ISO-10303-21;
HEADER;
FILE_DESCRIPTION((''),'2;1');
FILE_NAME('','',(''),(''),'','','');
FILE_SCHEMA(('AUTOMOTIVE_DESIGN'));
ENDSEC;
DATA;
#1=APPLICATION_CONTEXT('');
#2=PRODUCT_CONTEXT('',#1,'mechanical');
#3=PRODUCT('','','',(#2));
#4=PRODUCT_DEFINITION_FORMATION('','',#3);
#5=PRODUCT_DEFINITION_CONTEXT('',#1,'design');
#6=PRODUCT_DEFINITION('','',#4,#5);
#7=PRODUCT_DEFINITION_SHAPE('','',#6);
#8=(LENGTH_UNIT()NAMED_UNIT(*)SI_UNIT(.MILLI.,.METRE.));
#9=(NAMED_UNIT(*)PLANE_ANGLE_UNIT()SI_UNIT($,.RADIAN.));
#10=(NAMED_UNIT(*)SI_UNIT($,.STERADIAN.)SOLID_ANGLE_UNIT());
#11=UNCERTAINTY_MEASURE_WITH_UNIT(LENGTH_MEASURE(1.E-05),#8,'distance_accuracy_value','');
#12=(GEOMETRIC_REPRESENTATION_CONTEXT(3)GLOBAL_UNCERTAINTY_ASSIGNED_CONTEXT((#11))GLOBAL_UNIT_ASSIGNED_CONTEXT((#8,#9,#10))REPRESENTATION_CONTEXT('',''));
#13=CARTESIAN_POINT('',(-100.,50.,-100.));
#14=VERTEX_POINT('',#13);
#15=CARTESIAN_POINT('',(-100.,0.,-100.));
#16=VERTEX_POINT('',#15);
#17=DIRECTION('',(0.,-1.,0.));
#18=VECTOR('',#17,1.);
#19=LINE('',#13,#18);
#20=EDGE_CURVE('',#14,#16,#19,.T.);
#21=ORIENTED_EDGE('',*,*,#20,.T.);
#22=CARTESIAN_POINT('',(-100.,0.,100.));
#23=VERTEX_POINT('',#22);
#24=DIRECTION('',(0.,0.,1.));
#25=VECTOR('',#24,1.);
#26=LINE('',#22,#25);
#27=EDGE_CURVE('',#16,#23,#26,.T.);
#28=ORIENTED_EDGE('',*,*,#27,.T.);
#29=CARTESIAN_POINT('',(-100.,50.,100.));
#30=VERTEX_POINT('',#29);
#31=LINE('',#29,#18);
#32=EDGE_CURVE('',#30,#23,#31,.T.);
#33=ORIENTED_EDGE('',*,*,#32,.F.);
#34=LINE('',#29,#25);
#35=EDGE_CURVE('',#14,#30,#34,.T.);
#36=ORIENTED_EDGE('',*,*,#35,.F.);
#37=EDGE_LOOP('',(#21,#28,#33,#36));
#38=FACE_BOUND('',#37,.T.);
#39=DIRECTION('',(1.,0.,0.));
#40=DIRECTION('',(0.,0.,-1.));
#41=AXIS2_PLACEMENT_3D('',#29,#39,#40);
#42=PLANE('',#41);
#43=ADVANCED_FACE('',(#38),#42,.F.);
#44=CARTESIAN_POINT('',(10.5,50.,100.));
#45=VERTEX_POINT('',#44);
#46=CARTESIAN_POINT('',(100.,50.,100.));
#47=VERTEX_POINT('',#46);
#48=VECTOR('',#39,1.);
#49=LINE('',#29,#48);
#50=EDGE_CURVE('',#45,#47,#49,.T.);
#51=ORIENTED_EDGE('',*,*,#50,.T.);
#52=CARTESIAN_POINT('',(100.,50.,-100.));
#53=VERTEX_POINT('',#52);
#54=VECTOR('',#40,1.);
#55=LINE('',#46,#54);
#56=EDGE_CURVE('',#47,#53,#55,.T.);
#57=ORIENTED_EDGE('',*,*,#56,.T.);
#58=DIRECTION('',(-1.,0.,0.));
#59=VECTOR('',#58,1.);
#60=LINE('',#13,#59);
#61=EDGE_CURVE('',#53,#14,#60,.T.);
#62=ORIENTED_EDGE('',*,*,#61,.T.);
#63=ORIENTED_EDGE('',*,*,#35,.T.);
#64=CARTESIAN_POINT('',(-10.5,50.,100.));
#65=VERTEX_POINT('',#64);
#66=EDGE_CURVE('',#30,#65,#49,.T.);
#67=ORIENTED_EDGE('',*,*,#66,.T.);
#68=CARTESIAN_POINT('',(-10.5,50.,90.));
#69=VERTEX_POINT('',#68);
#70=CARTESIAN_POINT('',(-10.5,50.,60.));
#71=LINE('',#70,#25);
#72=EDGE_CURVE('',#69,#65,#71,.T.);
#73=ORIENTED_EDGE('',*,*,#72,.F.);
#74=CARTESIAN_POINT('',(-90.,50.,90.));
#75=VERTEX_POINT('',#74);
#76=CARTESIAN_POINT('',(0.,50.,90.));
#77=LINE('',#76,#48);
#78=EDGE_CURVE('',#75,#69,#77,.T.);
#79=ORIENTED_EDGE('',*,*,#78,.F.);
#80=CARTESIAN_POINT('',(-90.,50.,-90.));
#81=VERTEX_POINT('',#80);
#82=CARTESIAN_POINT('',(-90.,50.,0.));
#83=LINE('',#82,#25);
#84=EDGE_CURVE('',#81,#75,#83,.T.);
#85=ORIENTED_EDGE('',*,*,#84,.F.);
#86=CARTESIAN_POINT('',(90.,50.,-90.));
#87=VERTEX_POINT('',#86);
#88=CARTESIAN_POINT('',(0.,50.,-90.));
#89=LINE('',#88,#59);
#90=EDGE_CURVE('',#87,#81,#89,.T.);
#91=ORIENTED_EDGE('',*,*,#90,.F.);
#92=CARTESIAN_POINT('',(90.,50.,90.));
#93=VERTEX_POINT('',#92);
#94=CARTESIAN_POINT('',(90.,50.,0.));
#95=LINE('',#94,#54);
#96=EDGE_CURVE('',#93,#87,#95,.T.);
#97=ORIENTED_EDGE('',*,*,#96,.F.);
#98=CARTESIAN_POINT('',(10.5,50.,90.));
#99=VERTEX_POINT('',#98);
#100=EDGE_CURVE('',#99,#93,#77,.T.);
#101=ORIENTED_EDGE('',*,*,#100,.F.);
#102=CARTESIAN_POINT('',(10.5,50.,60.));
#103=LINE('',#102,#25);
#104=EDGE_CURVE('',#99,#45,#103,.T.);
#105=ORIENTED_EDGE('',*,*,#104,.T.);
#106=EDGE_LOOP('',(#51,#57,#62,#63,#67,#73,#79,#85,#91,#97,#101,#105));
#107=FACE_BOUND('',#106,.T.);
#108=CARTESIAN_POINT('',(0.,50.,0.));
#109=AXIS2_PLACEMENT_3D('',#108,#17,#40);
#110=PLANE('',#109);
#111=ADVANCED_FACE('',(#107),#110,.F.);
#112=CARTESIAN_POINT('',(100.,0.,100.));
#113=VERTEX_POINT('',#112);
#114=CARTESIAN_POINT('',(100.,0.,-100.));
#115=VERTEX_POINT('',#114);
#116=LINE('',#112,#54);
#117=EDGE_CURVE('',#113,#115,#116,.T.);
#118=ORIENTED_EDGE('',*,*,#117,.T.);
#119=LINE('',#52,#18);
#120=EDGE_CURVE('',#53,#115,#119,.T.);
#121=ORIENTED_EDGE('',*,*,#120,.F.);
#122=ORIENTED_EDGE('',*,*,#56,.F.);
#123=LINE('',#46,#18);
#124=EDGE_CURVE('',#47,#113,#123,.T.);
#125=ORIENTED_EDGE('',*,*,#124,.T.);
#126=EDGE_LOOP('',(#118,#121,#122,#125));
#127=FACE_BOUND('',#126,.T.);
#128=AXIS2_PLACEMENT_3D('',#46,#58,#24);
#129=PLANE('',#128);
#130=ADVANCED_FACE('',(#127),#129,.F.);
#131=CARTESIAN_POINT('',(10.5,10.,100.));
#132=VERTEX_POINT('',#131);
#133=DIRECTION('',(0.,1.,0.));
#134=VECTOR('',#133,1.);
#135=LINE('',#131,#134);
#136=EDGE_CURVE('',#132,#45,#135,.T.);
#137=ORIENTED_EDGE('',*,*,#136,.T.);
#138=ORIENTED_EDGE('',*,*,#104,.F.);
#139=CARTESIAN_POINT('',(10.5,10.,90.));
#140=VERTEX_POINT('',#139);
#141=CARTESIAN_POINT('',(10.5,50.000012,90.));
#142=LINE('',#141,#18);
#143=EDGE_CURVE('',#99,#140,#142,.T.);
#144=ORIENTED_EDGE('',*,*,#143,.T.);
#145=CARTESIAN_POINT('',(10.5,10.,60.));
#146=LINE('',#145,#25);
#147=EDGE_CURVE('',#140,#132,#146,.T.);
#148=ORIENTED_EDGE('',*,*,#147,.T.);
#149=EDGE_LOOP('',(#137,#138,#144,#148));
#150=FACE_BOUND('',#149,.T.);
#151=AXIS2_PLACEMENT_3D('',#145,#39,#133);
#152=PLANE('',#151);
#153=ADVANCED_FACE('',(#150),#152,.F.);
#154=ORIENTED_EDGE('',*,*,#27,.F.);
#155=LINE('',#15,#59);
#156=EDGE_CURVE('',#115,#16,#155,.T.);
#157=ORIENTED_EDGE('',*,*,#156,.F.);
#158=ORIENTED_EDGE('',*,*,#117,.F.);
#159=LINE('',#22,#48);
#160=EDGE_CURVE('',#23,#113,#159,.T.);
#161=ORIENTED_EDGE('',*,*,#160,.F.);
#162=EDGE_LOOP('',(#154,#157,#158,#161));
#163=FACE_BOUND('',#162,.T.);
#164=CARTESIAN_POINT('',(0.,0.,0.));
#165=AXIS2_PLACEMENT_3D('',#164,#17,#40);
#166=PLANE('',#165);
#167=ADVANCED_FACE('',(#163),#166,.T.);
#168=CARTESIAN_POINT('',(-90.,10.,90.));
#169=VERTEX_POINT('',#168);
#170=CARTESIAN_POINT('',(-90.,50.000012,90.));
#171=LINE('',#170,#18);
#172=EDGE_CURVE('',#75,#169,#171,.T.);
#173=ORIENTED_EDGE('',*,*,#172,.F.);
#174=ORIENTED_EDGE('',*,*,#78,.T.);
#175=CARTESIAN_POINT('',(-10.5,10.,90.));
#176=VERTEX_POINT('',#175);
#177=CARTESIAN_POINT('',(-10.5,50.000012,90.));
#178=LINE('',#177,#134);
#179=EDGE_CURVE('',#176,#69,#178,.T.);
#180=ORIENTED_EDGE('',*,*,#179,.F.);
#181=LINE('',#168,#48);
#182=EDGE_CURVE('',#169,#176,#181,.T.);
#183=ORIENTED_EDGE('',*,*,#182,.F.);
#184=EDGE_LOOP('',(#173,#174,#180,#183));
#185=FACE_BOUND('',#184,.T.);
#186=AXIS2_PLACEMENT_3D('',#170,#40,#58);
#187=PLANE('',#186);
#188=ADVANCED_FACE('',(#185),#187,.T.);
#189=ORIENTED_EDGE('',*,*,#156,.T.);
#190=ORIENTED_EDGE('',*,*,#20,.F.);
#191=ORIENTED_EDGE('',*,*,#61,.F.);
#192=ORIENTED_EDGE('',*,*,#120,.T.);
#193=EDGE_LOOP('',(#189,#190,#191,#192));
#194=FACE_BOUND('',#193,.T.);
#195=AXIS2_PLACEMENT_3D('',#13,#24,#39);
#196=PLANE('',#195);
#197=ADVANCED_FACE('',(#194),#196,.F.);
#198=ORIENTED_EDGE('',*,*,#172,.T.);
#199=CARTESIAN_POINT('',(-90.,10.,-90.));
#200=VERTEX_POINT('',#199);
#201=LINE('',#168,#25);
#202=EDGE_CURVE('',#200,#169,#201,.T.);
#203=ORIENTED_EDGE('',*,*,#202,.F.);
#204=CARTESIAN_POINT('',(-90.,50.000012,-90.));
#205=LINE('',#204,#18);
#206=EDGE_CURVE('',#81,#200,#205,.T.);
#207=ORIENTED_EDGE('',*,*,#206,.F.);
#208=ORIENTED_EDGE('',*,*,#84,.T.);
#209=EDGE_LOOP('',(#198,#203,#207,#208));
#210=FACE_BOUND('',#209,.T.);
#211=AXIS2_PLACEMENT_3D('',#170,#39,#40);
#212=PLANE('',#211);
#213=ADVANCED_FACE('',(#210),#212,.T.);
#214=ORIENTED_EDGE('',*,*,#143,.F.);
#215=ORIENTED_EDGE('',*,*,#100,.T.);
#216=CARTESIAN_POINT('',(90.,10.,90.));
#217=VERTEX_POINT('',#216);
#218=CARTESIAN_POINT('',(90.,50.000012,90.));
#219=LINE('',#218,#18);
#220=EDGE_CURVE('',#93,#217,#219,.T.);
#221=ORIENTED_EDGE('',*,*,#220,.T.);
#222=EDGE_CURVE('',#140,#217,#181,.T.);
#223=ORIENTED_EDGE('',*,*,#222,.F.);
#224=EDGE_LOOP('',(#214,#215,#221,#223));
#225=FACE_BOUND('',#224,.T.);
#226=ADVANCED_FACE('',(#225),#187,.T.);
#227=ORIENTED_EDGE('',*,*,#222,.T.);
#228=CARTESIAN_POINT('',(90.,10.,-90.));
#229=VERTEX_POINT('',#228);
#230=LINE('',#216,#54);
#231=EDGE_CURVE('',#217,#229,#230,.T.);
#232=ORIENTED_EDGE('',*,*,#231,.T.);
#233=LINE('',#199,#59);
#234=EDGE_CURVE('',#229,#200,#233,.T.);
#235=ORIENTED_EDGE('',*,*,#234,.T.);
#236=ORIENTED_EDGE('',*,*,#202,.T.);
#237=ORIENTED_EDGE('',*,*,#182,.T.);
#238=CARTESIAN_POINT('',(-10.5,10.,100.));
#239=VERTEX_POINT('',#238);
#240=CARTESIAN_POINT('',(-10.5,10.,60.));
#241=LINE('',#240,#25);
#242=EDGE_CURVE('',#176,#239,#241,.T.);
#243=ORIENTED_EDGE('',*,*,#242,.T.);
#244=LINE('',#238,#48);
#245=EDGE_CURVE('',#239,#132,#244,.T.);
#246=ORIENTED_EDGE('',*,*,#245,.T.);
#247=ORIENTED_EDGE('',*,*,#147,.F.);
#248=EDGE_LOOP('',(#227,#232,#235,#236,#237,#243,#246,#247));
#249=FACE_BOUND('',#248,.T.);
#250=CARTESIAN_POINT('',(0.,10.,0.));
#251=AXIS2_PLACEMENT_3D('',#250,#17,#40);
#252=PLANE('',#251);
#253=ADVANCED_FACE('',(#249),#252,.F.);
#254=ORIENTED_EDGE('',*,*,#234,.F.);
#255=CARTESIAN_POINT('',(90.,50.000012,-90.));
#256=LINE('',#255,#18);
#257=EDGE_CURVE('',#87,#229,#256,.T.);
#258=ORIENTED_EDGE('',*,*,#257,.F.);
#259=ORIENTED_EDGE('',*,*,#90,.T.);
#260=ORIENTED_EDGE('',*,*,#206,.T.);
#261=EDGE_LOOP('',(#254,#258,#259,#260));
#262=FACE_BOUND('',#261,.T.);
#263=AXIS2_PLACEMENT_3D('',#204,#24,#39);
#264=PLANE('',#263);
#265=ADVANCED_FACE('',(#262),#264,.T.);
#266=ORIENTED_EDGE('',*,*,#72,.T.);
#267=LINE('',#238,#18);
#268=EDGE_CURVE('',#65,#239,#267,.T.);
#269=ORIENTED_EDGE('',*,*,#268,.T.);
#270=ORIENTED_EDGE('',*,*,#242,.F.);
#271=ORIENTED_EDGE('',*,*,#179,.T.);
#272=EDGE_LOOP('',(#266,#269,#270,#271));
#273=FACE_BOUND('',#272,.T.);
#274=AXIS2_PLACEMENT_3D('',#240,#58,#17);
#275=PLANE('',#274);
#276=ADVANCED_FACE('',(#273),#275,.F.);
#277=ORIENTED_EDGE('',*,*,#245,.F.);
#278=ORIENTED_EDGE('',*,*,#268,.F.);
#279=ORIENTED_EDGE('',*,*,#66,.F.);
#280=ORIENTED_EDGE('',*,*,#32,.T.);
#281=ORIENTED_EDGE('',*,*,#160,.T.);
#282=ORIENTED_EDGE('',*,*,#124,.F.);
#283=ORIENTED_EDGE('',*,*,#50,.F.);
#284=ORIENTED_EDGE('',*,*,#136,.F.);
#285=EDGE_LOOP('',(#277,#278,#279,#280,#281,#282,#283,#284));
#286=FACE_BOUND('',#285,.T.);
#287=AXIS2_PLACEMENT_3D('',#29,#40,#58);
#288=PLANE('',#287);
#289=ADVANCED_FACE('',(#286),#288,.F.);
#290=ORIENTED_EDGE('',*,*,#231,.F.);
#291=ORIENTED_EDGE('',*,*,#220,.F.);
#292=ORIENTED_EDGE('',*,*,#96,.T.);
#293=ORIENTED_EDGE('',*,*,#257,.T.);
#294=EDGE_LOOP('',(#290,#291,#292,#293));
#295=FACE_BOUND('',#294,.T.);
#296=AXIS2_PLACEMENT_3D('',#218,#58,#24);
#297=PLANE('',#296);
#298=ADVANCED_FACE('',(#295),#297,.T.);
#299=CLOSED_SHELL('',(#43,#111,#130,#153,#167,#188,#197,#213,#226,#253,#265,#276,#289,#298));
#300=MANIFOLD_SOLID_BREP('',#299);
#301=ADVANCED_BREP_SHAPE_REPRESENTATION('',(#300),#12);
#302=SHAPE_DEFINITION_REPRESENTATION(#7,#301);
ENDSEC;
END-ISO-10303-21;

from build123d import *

# Parameters (mm, degrees)
SKETCH1_W               = 200
SKETCH1_H               = 200
BOSS_EXTRUDE1_DEPTH     = 50
CUT_EXTRUDE1_DEPTH      = 151
CUT_EXTRUDE1_DEPTH_BACK = 40
SKETCH2_W               = 180
SKETCH2_H               = 180
SKETCH3_W               = 21
SKETCH3_H               = 40
CUT_EXTRUDE2_DEPTH      = 40


with BuildPart() as part:
    # Sketch1 → Boss-Extrude1 (new body)
    with BuildSketch(Plane(origin=(0, 0, 0), x_dir=(1, 0, 0), z_dir=(0, 1, 0))):
        Rectangle(SKETCH1_W, SKETCH1_H)
    extrude(amount=BOSS_EXTRUDE1_DEPTH)

    # Sketch2 → Cut-Extrude1 (cut, two sides: drawn at the far end of the back side and taken through both)
    with BuildSketch(Plane(origin=(0, 50, 0), x_dir=(1, 0, 0), z_dir=(0, 1, 0)).offset(-CUT_EXTRUDE1_DEPTH_BACK)):
        Rectangle(SKETCH2_W, SKETCH2_H)
    extrude(amount=CUT_EXTRUDE1_DEPTH + CUT_EXTRUDE1_DEPTH_BACK, mode=Mode.SUBTRACT)

    # Sketch3 → Cut-Extrude2 (cut)
    with BuildSketch(Plane.XY.offset(100)):
        with Locations((0, 30)):
            Rectangle(SKETCH3_W, SKETCH3_H)
    extrude(amount=-CUT_EXTRUDE2_DEPTH, mode=Mode.SUBTRACT)


solid = part.part
